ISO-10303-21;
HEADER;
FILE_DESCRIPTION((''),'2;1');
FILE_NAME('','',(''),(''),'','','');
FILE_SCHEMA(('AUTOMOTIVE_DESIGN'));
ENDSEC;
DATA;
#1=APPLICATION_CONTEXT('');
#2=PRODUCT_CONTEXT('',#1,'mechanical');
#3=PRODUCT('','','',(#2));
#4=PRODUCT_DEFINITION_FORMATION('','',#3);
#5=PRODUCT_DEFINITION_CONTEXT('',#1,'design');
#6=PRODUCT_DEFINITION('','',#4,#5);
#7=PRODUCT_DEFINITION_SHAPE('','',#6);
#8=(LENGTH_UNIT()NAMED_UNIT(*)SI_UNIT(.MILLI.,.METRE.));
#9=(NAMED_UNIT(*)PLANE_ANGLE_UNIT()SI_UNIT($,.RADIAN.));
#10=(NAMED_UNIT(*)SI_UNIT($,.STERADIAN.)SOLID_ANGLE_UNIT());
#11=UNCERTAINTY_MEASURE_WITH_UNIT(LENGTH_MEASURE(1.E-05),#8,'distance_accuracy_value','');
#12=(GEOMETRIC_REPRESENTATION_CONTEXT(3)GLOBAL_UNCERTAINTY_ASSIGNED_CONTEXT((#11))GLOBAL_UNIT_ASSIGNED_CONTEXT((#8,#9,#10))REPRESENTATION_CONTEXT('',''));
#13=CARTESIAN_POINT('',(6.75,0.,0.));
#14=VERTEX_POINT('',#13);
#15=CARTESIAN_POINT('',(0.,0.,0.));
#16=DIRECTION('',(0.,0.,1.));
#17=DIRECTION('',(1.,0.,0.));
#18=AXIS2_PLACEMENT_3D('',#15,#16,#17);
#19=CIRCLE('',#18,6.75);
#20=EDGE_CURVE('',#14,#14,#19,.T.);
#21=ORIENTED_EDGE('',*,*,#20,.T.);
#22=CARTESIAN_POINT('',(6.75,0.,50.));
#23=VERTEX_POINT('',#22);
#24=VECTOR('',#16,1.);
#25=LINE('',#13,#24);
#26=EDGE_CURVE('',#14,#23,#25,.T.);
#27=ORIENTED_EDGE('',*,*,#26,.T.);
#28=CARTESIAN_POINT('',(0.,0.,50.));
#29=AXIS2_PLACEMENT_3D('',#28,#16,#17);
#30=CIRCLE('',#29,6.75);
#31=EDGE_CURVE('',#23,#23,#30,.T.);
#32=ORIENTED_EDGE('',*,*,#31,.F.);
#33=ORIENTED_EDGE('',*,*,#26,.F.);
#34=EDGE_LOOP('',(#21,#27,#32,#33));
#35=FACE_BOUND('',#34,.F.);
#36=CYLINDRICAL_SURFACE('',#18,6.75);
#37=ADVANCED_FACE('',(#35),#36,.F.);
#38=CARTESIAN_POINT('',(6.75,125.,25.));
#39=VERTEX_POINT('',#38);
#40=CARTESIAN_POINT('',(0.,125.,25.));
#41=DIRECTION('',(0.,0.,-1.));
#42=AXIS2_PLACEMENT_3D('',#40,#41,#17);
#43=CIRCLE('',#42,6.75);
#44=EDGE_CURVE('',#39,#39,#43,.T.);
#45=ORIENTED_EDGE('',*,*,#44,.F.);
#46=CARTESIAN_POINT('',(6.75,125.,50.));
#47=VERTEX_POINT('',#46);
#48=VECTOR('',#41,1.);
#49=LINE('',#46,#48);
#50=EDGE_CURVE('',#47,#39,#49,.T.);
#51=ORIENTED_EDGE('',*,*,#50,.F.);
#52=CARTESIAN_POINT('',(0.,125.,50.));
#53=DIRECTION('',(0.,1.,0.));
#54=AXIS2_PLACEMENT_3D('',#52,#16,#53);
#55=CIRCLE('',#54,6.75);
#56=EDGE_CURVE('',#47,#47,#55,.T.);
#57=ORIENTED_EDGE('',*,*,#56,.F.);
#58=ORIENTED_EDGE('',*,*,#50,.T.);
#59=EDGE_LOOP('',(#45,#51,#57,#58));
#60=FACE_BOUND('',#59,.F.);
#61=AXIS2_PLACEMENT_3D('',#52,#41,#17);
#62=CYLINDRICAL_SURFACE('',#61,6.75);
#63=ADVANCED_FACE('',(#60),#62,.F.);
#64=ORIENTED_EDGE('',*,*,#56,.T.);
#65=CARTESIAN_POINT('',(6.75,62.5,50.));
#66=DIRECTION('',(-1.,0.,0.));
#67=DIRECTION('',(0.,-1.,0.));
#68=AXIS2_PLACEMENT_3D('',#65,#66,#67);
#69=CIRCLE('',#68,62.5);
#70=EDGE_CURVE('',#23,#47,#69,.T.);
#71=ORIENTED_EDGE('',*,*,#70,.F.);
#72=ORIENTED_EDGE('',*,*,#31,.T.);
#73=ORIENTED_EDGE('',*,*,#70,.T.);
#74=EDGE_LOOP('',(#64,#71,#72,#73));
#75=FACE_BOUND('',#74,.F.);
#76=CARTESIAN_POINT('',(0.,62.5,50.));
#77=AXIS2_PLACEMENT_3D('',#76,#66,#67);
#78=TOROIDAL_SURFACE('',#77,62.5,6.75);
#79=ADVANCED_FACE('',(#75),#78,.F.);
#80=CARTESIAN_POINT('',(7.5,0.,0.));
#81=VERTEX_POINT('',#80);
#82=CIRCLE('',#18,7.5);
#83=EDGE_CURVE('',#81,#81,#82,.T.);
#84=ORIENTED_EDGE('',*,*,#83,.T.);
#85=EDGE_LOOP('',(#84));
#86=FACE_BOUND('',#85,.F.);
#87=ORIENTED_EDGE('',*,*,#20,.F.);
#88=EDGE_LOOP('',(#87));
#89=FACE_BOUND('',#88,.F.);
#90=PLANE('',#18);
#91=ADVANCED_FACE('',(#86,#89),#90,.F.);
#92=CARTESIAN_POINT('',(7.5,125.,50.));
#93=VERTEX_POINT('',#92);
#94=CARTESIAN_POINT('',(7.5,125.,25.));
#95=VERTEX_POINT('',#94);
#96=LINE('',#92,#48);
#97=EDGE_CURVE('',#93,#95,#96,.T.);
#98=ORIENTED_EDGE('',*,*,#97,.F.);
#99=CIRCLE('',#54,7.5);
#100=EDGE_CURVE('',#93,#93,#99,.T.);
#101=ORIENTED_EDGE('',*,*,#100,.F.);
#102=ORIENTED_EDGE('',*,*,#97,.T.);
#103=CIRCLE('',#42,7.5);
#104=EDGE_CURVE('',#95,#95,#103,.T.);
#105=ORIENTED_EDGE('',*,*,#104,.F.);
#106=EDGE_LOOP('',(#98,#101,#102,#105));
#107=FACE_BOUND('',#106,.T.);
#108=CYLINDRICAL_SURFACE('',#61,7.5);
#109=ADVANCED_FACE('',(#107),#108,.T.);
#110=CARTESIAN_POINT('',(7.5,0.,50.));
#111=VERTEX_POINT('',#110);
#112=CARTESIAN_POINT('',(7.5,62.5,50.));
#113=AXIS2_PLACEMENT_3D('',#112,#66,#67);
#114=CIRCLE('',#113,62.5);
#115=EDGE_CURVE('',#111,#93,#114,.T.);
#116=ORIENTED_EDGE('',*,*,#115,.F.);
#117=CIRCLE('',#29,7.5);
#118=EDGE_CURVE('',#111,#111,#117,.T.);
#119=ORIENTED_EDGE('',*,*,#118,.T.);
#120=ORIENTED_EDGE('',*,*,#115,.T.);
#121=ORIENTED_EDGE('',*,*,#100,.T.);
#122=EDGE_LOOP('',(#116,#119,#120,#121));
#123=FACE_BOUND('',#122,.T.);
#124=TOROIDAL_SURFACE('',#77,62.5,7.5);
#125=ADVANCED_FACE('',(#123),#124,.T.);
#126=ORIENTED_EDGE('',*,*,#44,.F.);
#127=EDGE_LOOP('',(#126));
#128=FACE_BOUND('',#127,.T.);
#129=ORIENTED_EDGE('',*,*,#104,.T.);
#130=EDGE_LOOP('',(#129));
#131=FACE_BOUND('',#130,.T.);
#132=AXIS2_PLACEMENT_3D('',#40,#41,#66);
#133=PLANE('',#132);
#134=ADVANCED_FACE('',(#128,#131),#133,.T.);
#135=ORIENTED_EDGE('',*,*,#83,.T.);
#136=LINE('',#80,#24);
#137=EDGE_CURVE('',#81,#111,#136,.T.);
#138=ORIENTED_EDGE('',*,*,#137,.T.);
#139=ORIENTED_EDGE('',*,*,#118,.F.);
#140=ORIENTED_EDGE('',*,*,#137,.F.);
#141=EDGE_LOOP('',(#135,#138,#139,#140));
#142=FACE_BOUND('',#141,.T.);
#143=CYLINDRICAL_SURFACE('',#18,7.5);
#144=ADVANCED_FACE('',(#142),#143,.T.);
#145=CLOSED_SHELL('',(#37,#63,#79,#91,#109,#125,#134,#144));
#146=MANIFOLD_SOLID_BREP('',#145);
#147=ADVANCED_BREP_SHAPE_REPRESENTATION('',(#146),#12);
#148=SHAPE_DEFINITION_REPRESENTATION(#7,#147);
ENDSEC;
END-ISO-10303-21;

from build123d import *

# Parameters (mm, degrees)
F0_R   = 7.5
F0_R_2 = 6.75


with BuildPart() as f2:
    # F2: sweep along a path in F1
    with BuildLine(Plane.YZ) as f2_path:
        Line((0, 0), (0, 50))
        ThreePointArc((0, 50), (62.5, 112.5), (125, 50))
        Line((125, 50), (125, 25))
    # F0 (on Top) → F2 (sweep)
    with BuildSketch(Plane.XY):
        Circle(F0_R)
        Circle(F0_R_2, mode=Mode.SUBTRACT)
    sweep(path=f2_path.line)


solid = f2.part
